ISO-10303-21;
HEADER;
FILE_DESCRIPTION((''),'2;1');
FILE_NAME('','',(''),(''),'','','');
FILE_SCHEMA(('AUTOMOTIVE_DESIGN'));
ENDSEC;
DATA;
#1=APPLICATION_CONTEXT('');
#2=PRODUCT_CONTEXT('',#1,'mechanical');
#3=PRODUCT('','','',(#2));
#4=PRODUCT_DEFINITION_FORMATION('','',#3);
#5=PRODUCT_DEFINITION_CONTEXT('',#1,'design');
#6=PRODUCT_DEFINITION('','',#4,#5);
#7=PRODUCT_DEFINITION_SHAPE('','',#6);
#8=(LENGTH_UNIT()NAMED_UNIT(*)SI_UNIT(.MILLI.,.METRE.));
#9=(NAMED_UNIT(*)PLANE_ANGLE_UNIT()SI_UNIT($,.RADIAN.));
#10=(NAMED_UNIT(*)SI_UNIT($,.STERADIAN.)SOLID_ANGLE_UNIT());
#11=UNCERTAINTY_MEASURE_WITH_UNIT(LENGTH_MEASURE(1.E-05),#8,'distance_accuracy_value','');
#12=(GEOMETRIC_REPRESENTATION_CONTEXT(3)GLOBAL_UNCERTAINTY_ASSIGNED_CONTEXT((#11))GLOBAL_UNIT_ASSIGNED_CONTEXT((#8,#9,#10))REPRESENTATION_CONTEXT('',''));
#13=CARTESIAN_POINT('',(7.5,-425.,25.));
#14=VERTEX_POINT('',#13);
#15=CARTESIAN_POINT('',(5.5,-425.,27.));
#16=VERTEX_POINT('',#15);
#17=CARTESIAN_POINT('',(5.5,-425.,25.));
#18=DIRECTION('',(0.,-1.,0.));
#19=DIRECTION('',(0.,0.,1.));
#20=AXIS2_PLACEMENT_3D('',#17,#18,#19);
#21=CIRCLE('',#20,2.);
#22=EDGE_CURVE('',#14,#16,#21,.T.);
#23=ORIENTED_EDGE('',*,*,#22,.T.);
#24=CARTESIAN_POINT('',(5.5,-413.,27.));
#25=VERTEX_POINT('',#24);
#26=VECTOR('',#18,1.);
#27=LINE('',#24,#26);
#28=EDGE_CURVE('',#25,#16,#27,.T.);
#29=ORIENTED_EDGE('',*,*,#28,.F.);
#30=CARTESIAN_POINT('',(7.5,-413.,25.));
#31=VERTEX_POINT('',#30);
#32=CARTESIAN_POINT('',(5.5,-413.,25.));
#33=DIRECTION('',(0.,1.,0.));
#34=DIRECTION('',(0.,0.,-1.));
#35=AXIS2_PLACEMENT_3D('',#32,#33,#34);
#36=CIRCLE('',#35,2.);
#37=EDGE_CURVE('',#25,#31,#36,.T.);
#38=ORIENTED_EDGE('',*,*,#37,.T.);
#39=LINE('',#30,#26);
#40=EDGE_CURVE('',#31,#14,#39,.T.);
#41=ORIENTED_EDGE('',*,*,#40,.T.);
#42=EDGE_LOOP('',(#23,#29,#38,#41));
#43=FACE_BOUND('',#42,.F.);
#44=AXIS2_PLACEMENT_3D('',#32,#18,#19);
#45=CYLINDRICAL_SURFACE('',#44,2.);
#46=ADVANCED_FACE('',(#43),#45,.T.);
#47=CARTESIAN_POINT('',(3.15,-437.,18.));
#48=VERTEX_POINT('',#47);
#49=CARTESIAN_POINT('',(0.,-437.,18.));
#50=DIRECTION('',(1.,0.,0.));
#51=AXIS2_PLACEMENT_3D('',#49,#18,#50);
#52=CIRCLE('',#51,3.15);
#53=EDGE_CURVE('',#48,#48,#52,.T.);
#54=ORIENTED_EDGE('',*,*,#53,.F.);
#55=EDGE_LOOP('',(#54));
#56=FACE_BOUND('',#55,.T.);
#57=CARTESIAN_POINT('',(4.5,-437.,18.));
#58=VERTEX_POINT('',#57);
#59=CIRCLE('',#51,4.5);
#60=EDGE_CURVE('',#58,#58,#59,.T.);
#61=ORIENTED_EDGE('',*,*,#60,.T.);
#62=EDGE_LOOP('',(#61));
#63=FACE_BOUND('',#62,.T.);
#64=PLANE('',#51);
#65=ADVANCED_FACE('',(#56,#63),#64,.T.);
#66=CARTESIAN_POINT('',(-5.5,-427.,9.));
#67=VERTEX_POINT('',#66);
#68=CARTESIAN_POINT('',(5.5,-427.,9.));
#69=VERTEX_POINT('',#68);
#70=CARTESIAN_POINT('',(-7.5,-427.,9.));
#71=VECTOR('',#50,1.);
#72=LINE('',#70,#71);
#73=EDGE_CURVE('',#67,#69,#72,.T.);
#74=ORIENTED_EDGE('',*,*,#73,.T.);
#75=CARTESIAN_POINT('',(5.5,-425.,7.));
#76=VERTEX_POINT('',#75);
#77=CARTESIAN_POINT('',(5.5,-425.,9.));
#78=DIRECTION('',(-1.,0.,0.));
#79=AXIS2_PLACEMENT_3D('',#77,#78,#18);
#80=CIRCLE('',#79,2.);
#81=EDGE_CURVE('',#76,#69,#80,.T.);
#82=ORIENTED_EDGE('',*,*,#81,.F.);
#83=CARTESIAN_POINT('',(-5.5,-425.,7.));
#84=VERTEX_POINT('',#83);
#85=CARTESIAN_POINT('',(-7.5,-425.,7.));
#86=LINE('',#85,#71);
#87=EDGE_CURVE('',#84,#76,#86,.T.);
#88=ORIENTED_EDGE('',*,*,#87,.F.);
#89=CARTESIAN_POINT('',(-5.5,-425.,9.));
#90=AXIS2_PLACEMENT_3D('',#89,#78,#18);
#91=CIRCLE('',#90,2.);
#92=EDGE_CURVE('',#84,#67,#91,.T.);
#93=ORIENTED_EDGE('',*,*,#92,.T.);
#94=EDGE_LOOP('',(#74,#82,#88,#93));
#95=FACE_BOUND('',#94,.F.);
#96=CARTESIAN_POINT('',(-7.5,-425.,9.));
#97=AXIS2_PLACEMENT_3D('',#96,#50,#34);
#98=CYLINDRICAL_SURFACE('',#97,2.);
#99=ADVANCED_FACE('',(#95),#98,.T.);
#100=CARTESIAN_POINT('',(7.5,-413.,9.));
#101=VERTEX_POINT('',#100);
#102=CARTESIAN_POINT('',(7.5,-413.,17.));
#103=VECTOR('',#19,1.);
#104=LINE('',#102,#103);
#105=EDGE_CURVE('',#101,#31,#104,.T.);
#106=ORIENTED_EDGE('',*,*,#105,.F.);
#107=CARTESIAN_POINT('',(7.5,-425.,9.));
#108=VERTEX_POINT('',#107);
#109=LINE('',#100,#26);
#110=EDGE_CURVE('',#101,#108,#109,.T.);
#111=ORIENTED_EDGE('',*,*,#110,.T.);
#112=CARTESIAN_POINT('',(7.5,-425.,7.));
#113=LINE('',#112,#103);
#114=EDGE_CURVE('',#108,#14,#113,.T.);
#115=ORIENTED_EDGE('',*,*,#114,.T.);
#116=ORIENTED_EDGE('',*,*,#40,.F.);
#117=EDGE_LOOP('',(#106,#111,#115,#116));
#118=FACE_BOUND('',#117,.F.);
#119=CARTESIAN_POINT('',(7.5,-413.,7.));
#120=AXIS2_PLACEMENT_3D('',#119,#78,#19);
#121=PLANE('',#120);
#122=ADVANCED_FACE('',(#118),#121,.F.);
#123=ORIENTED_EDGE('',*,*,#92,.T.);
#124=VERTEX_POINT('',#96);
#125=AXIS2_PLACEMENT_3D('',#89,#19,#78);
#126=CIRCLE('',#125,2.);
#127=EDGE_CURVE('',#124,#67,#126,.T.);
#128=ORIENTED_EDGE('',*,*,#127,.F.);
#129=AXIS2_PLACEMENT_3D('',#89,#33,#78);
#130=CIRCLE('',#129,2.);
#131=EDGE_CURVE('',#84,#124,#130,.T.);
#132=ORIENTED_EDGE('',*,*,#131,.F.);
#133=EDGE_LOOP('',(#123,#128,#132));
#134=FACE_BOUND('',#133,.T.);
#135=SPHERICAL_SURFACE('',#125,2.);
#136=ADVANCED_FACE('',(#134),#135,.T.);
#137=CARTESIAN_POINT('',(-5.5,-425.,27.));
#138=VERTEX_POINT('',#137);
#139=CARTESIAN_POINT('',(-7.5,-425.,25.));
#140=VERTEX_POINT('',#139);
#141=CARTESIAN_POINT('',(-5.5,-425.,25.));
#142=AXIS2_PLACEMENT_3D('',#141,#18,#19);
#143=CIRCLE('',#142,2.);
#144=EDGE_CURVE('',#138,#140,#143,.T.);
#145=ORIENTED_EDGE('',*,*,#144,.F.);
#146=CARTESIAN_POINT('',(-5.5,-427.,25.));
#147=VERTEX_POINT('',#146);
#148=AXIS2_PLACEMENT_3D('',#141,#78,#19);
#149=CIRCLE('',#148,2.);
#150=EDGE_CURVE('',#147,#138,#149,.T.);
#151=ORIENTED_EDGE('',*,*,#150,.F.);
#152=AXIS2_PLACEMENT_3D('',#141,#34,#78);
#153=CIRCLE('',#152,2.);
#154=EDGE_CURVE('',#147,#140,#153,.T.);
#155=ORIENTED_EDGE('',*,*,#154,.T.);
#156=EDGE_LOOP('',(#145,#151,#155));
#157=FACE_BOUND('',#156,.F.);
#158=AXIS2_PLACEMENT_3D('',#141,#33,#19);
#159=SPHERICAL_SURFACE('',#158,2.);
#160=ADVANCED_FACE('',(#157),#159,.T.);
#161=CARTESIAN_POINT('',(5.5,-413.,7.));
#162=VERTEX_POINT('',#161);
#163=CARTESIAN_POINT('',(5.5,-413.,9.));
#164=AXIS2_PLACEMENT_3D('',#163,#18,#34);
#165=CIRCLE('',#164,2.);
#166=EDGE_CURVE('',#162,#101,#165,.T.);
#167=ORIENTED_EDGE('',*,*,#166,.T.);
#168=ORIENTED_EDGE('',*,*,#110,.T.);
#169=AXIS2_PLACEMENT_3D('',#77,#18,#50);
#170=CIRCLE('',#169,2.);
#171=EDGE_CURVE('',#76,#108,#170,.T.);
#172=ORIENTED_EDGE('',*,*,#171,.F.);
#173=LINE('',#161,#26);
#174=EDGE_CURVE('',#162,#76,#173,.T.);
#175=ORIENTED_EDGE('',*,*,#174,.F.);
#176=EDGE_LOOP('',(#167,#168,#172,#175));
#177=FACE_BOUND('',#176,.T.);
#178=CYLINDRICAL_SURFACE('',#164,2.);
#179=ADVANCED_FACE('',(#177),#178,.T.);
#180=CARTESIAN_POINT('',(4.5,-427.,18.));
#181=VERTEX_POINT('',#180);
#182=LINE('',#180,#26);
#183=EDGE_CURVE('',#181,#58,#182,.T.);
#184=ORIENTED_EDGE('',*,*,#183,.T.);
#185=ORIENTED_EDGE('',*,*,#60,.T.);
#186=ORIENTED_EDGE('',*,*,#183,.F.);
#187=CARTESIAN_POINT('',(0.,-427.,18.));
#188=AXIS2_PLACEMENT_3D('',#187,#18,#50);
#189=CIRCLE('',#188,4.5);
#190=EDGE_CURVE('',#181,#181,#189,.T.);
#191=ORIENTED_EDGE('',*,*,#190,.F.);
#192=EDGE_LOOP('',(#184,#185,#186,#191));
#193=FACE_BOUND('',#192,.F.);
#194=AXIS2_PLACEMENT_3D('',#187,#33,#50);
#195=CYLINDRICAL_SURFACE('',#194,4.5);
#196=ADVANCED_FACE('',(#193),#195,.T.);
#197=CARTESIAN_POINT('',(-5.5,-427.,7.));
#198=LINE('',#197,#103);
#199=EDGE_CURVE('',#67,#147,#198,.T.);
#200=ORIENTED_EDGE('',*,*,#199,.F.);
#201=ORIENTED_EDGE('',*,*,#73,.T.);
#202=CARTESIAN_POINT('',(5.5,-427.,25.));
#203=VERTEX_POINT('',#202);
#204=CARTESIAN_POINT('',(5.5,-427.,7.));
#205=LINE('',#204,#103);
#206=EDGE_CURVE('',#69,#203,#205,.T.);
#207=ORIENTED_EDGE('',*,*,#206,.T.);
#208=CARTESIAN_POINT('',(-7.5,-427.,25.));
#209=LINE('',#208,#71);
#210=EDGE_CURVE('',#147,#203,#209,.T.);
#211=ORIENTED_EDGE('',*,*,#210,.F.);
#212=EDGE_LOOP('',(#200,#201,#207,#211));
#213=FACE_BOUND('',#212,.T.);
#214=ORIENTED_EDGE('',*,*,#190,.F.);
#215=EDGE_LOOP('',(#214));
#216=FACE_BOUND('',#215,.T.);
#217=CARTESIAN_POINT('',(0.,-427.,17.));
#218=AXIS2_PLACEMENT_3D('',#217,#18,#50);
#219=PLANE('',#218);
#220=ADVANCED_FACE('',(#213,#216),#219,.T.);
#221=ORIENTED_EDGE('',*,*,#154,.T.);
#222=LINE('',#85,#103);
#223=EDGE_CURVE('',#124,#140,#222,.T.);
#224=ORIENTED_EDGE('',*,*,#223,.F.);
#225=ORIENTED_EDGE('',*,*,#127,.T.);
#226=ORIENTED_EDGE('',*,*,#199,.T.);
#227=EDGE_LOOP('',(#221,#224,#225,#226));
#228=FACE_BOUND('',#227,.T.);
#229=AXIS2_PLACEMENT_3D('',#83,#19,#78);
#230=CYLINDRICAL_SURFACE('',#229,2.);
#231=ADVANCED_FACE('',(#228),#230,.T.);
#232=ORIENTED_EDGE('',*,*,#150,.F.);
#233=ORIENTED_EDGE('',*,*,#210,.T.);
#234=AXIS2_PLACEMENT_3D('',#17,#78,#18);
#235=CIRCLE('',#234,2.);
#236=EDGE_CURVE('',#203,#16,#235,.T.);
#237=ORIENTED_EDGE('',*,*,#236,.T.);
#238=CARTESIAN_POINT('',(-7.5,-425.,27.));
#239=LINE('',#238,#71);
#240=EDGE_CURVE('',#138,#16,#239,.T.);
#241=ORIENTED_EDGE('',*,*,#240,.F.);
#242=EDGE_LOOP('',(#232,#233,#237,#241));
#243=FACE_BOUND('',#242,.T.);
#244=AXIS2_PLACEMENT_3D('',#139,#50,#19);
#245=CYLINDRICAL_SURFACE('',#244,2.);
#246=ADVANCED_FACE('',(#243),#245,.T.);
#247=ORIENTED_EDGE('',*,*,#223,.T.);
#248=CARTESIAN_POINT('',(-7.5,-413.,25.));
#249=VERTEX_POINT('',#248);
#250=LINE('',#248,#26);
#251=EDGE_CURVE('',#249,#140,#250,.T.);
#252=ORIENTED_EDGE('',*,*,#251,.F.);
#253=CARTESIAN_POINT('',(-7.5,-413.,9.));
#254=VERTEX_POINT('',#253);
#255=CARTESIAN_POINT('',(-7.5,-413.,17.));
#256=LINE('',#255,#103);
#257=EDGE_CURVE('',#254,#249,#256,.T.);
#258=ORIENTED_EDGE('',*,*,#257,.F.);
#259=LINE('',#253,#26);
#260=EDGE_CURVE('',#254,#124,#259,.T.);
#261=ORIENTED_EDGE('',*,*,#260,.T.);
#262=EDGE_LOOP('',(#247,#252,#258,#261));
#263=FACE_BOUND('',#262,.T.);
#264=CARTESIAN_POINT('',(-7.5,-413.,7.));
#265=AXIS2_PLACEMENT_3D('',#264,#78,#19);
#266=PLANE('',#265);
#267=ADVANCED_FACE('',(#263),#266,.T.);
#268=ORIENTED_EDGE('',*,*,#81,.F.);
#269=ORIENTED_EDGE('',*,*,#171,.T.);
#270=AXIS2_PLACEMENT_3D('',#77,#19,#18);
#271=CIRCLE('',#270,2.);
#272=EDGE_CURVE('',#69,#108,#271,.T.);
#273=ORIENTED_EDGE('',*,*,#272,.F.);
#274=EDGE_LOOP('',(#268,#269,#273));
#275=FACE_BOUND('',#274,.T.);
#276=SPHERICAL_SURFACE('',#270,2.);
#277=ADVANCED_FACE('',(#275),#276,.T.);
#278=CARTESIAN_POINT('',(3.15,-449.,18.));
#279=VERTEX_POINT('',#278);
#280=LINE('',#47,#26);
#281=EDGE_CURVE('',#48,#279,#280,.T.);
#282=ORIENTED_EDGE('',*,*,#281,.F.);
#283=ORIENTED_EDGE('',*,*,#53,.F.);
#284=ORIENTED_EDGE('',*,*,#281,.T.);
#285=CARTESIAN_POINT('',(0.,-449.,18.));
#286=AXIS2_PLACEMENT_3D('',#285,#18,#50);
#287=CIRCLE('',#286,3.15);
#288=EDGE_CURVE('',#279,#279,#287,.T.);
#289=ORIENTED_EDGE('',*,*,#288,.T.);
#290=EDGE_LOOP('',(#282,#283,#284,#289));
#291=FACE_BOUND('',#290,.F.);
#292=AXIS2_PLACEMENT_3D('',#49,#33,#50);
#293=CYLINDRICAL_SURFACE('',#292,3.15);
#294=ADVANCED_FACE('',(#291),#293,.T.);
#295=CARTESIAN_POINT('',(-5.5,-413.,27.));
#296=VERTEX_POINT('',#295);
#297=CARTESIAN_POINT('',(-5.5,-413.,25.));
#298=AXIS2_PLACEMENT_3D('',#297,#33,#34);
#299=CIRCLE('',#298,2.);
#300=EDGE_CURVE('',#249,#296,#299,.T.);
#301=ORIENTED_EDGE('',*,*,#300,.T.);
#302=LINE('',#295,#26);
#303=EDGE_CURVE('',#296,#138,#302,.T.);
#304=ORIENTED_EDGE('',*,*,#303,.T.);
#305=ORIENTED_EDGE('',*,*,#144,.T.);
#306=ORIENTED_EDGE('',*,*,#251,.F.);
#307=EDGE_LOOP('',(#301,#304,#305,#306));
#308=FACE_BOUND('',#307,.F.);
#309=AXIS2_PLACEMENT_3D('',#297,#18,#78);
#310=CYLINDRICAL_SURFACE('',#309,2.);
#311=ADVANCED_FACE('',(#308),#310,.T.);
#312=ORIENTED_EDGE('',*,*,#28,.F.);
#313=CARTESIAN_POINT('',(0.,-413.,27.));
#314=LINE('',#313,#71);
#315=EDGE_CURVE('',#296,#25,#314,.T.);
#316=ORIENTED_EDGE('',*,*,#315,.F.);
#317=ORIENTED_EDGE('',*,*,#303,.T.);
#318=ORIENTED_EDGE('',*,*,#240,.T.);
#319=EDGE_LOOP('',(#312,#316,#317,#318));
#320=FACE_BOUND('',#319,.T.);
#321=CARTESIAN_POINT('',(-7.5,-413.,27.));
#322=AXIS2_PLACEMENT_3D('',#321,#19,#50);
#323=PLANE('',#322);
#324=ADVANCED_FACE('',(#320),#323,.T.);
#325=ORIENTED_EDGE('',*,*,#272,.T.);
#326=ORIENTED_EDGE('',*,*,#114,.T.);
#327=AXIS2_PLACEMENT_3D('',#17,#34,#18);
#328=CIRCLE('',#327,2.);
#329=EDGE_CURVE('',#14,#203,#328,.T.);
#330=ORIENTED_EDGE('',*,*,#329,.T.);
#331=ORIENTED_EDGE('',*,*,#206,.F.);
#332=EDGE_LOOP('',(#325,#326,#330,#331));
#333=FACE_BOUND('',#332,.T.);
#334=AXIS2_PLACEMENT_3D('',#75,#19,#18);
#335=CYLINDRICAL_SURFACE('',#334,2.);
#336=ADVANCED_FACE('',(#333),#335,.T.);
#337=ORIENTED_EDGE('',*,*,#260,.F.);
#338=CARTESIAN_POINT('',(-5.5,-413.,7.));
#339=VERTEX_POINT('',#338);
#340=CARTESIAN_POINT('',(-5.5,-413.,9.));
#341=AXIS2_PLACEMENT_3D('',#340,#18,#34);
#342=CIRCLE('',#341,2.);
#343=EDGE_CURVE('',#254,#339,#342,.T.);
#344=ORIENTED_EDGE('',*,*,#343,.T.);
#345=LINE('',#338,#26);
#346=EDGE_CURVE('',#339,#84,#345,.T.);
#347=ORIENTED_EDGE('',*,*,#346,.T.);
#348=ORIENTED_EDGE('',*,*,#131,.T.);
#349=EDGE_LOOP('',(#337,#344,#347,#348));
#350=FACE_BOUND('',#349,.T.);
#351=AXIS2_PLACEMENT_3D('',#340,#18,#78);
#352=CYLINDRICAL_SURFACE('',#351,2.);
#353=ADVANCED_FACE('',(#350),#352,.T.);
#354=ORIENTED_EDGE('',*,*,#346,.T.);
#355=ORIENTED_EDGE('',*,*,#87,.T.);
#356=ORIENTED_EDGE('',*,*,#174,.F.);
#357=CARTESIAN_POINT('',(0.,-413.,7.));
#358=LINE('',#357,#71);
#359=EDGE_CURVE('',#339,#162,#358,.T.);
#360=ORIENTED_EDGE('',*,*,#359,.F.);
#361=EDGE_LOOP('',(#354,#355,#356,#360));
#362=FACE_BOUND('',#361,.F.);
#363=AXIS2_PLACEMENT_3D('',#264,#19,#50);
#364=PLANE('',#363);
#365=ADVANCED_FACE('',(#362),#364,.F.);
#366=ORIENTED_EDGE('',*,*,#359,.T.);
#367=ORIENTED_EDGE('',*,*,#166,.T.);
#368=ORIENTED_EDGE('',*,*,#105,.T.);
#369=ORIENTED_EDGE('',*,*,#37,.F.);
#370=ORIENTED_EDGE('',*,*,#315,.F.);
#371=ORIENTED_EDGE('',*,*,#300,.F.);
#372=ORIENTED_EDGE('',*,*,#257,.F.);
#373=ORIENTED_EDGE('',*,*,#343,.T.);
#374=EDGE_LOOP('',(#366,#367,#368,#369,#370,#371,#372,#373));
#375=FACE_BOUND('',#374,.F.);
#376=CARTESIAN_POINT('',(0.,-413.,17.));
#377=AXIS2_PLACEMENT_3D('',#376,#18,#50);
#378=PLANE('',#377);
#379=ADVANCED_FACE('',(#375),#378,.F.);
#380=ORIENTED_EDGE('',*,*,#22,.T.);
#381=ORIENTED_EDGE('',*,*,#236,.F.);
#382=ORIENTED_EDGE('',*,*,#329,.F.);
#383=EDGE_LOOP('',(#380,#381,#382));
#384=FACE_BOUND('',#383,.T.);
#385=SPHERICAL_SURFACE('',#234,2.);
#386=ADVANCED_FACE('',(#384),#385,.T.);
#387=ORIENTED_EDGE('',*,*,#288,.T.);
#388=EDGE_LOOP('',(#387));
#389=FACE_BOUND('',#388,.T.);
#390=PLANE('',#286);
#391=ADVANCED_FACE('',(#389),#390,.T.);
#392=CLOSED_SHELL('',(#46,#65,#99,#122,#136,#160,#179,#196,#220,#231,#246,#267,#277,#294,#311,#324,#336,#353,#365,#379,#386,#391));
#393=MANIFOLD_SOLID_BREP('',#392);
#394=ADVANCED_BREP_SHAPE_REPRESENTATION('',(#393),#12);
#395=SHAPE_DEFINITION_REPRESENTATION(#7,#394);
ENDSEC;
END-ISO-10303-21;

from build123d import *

# Parameters (mm, degrees)
SKETCH001_W  = 15
SKETCH001_H  = 20
PAD001_DEPTH = 14
SKETCH002_R  = 4.5
PAD002_DEPTH = 10
SKETCH003_R  = 3.15
PAD003_DEPTH = 12
FILLET_R     = 2


with BuildPart() as part:
    # Sketch001 → Pad001 (new body)
    with BuildSketch(Plane.XZ):
        Rectangle(SKETCH001_W, SKETCH001_H)
    extrude(amount=PAD001_DEPTH)

    # Sketch002 → Pad002 (join)
    with BuildSketch(Plane(origin=(0, -14, 1), x_dir=(1, 0, 0), z_dir=(0, -1, 0))):
        Circle(SKETCH002_R)
    extrude(amount=PAD002_DEPTH)

    # Sketch003 → Pad003 (join)
    with BuildSketch(Plane(origin=(0, -24, 1), x_dir=(1, 0, 0), z_dir=(0, -1, 0))):
        Circle(SKETCH003_R)
    extrude(amount=PAD003_DEPTH)

    # Fillet
    fillet_edges = [part.edges().sort_by_distance(p)[0] for p in [
        (-7.5, -7, 10),
        (0, -14, 10),
        (-7.5, -14, 0),
        (7.5, -14, 0),
        (-7.5, -7, -10),
        (0, -14, -10),
        (7.5, -7, -10),
        (7.5, -7, 10),
    ]]
    fillet(fillet_edges, radius=FILLET_R)


with BuildPart() as part_1:
    # Body001 placement: moved
    add(part.part.moved(Location((0, -413, 17))))


solid = part_1.part
